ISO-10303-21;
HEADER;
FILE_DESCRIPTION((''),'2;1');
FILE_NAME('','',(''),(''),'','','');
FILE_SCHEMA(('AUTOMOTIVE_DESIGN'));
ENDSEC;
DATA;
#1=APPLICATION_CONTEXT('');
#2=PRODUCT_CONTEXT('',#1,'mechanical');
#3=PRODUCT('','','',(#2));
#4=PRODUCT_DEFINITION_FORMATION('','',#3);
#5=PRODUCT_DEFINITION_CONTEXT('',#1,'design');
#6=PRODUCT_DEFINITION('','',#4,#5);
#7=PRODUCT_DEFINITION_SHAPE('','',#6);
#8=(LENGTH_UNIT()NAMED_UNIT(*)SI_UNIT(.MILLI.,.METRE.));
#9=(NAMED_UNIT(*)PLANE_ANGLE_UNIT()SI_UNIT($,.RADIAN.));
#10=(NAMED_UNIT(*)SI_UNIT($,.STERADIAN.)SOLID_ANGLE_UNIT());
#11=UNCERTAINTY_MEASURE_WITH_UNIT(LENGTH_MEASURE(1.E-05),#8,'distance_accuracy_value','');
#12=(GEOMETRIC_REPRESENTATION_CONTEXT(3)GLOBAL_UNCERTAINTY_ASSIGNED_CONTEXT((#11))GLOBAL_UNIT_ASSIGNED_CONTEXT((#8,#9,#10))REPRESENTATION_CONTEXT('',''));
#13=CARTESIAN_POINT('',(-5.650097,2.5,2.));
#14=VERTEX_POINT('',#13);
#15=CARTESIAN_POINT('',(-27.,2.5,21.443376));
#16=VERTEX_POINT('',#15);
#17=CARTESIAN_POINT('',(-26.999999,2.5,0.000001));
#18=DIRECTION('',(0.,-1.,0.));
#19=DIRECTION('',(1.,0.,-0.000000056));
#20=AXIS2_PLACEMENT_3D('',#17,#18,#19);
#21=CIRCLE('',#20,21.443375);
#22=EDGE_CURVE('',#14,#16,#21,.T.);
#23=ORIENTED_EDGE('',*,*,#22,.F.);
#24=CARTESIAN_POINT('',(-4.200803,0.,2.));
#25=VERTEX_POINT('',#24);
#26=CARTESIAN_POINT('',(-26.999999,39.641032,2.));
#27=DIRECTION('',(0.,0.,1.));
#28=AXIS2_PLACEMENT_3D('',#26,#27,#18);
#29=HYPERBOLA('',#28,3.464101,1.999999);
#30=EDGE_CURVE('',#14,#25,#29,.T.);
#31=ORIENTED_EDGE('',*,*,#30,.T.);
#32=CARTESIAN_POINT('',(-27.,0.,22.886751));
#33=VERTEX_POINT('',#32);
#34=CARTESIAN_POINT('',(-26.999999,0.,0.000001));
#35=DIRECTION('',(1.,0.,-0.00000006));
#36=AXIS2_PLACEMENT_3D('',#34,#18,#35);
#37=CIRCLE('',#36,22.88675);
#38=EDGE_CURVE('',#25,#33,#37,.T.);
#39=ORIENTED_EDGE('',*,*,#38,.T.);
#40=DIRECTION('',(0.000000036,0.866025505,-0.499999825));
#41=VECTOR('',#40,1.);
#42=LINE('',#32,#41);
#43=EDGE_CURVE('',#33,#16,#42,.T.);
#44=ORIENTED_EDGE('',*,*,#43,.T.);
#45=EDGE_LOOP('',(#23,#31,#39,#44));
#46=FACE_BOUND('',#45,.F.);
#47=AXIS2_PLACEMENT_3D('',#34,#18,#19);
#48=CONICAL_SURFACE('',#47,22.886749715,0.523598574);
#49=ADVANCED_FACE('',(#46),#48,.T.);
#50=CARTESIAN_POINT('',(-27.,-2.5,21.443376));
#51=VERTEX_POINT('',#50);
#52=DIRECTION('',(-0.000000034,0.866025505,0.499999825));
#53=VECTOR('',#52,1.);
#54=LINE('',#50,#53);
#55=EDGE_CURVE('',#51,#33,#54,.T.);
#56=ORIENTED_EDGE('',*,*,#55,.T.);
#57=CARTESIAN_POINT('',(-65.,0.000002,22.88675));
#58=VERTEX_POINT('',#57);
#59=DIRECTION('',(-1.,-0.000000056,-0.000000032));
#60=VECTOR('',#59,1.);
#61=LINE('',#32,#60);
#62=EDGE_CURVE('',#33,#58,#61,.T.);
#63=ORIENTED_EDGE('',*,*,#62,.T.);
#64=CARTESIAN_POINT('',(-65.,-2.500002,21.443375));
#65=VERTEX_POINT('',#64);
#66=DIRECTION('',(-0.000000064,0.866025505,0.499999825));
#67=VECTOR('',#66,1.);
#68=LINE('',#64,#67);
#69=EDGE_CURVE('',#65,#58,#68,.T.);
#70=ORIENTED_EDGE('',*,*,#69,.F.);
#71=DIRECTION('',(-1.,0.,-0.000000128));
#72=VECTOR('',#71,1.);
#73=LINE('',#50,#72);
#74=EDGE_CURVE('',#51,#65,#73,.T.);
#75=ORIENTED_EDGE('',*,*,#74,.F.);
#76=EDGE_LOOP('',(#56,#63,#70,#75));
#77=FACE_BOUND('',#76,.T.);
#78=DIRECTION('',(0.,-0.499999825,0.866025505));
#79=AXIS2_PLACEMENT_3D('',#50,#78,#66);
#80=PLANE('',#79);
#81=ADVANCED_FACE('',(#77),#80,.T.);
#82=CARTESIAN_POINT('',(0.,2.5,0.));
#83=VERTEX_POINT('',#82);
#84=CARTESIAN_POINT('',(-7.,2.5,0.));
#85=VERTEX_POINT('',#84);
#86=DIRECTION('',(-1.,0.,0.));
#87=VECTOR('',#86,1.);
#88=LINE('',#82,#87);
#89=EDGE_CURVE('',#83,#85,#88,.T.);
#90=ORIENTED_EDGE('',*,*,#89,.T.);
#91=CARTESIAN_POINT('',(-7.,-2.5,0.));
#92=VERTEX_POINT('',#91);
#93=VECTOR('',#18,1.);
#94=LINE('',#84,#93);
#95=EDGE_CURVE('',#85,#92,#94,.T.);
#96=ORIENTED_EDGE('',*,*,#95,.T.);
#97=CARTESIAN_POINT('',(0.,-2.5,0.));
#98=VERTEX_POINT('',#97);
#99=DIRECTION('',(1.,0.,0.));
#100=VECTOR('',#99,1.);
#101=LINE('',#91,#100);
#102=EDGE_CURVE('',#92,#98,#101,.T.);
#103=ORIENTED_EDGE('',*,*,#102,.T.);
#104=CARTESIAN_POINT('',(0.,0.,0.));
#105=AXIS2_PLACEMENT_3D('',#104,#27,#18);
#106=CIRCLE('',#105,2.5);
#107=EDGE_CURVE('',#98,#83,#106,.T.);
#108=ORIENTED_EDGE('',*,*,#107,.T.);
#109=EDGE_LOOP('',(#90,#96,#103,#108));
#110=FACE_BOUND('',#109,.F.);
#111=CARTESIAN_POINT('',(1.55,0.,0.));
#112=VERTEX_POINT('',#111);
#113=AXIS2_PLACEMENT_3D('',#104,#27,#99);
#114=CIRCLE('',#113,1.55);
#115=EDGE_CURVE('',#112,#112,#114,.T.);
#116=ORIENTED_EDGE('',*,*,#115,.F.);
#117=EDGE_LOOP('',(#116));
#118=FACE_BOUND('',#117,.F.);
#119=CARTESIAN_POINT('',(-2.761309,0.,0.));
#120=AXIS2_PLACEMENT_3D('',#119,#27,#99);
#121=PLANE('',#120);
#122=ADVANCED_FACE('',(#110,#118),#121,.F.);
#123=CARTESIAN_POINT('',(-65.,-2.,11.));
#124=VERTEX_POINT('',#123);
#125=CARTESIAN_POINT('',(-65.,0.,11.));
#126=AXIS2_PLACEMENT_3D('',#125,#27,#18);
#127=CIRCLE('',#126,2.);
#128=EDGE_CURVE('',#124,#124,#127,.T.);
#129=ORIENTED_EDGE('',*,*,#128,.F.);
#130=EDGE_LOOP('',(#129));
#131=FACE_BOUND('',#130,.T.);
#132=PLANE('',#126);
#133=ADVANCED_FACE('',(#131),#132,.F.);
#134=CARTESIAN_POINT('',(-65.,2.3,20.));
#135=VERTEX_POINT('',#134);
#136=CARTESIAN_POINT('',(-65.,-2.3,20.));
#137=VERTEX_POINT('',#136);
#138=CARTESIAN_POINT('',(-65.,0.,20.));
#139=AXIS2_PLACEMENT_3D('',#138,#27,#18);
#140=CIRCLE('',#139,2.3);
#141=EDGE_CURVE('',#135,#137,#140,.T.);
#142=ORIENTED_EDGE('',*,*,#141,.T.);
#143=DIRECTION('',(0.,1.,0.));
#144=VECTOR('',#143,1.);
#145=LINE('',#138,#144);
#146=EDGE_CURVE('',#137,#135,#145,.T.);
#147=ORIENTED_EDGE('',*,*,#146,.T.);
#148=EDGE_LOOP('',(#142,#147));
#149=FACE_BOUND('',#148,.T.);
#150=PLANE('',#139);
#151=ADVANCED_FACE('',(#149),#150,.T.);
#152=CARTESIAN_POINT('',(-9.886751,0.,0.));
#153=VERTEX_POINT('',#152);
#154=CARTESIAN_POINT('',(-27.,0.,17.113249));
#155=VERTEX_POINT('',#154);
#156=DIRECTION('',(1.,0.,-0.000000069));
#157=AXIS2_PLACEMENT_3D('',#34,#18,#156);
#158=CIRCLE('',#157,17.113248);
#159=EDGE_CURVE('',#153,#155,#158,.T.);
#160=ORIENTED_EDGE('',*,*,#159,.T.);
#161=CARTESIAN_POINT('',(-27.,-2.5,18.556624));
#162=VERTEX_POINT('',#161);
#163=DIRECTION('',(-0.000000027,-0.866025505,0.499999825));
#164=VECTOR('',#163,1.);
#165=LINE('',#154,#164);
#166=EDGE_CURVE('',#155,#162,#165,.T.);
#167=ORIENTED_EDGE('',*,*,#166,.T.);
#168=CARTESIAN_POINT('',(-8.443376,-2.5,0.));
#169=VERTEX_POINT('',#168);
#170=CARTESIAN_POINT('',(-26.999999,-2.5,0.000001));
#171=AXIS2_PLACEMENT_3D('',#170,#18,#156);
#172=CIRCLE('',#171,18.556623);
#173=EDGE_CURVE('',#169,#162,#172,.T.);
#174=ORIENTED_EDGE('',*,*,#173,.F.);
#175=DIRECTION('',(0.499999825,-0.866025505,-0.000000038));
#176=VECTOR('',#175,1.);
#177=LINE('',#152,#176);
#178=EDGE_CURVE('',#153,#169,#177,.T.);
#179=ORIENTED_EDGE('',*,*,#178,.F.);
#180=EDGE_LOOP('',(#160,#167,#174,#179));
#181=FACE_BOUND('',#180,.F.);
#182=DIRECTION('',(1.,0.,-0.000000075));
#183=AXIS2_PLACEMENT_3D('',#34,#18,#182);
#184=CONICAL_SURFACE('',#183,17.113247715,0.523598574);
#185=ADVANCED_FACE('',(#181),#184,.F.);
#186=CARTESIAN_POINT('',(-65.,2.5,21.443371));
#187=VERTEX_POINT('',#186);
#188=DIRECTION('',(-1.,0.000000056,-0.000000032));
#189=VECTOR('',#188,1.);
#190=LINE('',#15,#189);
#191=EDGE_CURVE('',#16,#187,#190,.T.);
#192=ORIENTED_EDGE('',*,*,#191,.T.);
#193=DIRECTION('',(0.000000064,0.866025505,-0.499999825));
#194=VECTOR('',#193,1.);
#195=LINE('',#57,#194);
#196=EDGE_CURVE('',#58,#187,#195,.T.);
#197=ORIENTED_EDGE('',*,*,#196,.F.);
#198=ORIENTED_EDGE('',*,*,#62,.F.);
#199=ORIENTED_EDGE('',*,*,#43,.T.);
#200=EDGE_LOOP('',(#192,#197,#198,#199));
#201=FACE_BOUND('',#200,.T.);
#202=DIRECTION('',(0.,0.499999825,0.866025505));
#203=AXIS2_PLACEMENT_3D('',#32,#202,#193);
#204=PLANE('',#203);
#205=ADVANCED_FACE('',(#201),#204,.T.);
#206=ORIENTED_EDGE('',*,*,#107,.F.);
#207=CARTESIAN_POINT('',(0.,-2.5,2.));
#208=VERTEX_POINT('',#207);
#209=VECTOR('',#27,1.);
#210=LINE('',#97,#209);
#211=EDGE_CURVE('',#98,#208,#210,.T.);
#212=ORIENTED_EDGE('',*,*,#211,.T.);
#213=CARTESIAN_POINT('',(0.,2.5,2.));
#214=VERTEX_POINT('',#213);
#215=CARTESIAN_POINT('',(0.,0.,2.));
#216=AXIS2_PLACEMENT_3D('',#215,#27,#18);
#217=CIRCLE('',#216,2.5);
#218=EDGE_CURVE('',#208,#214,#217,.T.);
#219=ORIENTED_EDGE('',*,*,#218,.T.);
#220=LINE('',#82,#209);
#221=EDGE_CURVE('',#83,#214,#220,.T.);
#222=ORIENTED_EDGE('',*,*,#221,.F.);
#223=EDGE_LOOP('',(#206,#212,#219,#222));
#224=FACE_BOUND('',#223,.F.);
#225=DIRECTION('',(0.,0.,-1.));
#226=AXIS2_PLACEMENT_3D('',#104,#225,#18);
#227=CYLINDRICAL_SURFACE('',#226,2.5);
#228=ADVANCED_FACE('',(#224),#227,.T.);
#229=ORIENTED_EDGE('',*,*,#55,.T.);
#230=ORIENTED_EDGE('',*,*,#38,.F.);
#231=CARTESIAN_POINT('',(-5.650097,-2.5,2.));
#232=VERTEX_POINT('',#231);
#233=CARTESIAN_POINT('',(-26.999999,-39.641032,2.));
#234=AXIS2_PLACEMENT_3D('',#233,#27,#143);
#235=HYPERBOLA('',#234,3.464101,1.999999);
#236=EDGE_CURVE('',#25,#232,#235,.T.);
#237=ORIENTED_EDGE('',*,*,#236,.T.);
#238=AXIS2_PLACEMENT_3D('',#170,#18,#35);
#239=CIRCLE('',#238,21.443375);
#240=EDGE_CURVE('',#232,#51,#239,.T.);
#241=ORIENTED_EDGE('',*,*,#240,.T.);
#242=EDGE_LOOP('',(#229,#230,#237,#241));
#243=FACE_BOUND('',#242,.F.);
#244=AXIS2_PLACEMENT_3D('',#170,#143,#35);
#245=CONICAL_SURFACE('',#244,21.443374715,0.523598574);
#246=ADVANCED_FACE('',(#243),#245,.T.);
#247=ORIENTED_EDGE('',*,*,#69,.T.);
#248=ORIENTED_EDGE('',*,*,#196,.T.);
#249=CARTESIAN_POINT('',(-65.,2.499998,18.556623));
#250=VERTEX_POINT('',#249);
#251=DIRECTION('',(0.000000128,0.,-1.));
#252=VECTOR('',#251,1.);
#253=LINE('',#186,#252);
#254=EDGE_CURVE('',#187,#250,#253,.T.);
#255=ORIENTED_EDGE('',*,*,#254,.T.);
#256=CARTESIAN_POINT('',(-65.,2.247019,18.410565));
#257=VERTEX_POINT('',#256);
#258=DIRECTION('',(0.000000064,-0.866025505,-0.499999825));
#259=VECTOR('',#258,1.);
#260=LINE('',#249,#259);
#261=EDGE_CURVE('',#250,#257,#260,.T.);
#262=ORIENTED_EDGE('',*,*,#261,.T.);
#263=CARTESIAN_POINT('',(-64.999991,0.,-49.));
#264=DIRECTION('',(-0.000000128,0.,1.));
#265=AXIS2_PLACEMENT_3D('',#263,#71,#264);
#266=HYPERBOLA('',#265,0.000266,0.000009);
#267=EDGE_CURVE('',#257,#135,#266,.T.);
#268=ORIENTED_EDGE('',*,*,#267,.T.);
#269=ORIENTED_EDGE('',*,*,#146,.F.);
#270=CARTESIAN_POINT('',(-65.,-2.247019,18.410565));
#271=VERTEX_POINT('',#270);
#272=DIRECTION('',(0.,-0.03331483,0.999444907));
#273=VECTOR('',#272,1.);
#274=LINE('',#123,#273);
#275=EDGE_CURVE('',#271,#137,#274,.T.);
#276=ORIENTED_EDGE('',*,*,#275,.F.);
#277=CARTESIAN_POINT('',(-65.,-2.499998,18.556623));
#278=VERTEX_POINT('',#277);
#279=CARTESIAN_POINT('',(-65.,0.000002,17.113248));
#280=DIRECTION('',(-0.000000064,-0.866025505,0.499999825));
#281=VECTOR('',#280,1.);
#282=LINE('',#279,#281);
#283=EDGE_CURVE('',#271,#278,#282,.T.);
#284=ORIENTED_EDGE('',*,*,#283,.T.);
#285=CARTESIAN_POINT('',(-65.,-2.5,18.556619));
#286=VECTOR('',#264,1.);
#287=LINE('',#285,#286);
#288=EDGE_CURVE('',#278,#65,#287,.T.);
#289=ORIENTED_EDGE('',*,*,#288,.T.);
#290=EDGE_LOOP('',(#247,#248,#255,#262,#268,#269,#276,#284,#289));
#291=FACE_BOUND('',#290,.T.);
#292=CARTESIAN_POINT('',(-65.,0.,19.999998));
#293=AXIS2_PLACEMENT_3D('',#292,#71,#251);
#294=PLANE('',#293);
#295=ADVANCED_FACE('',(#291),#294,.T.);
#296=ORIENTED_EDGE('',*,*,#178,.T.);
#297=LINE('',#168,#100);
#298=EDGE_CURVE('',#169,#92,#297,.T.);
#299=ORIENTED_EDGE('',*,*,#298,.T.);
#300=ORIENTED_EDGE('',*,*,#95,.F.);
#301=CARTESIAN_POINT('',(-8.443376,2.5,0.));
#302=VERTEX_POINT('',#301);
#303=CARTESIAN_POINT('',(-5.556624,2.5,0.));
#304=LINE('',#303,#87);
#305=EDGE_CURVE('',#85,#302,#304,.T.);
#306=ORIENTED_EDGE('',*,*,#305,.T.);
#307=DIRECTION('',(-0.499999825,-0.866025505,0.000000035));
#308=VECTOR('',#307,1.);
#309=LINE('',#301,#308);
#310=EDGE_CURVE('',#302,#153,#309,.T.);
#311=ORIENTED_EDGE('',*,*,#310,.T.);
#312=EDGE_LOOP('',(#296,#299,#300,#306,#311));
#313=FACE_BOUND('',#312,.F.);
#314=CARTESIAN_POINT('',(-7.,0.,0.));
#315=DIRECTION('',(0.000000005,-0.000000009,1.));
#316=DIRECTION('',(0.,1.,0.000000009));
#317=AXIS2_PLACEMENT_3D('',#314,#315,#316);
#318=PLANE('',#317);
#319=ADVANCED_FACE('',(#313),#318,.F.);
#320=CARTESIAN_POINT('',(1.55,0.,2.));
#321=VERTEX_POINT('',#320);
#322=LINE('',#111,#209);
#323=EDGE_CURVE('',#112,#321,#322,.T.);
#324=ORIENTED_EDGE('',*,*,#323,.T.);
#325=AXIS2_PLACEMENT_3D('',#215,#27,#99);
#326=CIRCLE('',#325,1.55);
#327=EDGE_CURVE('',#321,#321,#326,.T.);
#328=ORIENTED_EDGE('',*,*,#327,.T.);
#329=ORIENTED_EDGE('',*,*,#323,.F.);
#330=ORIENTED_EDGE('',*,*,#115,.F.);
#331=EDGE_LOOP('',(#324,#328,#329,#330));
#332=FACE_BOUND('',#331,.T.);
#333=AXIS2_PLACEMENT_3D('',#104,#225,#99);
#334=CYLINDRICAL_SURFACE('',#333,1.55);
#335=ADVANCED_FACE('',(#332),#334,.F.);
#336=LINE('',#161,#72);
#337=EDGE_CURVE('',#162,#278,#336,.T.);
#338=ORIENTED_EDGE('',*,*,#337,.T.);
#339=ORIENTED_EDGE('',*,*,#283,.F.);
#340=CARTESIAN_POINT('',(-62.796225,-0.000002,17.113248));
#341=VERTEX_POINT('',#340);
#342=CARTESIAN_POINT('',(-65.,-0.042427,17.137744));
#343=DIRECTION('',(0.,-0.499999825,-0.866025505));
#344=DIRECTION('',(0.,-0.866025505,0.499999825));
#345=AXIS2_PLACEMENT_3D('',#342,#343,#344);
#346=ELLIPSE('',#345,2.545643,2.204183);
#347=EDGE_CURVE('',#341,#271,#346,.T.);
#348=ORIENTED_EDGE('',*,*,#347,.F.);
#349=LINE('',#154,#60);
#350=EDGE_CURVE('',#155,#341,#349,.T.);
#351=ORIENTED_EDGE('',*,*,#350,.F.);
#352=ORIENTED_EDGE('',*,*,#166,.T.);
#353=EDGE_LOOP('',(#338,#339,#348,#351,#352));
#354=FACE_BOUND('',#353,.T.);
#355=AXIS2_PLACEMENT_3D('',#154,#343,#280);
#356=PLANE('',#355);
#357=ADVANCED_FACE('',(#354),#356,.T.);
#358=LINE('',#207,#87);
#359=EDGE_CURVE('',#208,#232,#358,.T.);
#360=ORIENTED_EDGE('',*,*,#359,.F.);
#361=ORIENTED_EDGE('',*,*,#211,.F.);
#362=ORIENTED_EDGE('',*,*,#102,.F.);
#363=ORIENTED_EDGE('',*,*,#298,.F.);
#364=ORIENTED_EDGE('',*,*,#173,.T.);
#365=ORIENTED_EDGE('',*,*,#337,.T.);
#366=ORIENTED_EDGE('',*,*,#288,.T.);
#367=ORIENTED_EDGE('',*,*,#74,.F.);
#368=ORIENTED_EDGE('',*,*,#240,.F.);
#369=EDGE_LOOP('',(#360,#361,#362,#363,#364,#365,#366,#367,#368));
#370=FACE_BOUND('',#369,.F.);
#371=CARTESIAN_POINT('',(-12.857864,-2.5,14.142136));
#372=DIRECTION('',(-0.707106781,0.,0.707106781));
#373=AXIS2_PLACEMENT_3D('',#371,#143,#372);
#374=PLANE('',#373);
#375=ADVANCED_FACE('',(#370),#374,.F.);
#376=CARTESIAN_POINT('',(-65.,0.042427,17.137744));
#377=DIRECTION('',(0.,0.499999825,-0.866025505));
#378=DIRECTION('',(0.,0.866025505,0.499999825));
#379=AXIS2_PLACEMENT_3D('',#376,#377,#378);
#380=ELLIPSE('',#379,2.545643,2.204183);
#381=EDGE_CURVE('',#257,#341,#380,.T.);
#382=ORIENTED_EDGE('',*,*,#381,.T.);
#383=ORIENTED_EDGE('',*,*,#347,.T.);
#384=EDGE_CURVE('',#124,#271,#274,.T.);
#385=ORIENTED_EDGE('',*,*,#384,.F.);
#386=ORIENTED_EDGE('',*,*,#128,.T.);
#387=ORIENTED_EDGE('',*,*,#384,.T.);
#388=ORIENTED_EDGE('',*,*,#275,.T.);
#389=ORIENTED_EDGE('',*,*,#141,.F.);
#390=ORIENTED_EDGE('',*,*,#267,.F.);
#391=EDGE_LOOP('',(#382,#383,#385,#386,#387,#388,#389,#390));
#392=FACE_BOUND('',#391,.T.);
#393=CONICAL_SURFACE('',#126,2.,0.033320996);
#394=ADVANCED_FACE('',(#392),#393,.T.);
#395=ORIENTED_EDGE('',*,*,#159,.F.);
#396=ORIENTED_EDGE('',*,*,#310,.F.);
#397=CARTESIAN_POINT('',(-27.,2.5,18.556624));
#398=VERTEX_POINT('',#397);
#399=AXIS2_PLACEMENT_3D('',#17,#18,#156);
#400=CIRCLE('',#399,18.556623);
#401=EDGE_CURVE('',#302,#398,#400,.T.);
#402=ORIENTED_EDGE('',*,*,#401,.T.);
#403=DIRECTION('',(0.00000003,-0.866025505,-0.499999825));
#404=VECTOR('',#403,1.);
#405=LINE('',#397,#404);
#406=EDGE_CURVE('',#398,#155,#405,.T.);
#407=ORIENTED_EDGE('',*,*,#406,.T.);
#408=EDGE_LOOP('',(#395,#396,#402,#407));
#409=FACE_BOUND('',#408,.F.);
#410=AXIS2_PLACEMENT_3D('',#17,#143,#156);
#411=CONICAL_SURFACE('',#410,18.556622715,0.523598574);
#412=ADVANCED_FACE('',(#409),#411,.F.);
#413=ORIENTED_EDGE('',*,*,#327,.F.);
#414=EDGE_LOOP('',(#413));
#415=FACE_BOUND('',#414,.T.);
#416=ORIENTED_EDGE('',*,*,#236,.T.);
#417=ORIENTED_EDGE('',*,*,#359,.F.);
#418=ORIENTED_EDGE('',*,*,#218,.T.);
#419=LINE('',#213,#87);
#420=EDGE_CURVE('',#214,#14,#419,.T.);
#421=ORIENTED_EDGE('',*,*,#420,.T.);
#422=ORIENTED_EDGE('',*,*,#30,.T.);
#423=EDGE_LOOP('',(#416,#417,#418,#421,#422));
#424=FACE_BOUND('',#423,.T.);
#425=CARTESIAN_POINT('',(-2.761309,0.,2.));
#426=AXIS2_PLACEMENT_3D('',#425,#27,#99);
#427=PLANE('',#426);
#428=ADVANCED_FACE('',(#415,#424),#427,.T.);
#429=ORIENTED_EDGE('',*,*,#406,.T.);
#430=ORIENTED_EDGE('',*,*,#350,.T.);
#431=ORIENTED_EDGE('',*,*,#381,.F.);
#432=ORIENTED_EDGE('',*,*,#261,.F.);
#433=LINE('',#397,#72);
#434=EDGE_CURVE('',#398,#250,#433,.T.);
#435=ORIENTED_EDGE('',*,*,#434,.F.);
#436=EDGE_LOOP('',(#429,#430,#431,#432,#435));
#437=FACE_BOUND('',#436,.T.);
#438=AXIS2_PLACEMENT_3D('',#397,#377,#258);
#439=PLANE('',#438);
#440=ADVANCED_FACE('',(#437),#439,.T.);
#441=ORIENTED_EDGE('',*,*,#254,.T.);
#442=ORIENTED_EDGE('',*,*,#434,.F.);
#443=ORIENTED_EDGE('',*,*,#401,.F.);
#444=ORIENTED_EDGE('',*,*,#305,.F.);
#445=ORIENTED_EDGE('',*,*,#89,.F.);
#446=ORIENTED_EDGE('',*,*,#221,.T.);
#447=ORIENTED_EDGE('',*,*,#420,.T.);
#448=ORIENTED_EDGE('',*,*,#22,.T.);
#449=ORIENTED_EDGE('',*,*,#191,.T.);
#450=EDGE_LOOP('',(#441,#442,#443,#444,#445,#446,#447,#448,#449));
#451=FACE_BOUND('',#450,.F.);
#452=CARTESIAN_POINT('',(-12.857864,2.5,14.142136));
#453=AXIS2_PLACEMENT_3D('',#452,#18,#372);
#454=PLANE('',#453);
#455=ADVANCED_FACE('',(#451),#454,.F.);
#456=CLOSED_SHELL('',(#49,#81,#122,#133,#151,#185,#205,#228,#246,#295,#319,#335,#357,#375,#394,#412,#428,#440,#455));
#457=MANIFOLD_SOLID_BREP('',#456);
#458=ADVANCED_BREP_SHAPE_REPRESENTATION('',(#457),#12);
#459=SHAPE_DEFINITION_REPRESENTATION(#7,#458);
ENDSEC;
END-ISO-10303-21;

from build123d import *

# Parameters (mm, degrees)
SKETCH_R  = 1.55
PAD_DEPTH = 2


with BuildPart() as part:
    # Sketch → Pad (new body)
    with BuildSketch(Plane.XY):
        with BuildLine():
            Line((0, 2.5), (-7, 2.5))
            Line((-7, 2.5), (-7, -2.5))
            Line((0, -2.5), (-7, -2.5))
            ThreePointArc((0, -2.5), (2.5, 0), (0, 2.5))
        make_face()
        Circle(SKETCH_R, mode=Mode.SUBTRACT)
    extrude(amount=PAD_DEPTH)

    # AdditivePipe: sweep along a path in Sketch001
    with BuildLine(Plane.XZ) as additivepipe_path:
        ThreePointArc((-7, 0), (-12.857864, 14.142136), (-27, 20))
        Line((-27, 20), (-65, 20))
    # Sketch002 → AdditivePipe (sweep)
    with BuildSketch(Plane.XY):
        Polygon((-8.443376, -2.5), (-5.556624, -2.5), (-4.113249, 0), (-5.556624, 2.5), (-8.443376, 2.5), (-9.886751, 0), align=None)
    sweep(path=additivepipe_path.line)

    # Sketch003 (on Face21 of AdditivePipe) → Revolution (revolve)
    with BuildSketch(Plane(origin=(-65, 0, 0), x_dir=(0, -1, 0), z_dir=(-1, 0, 0))):
        Polygon((0, 20), (0, 11), (2, 11), (2.3, 20), align=None)
    revolve(axis=Axis((-65, 0, 0), (0, 0, 1)))


solid = part.part
